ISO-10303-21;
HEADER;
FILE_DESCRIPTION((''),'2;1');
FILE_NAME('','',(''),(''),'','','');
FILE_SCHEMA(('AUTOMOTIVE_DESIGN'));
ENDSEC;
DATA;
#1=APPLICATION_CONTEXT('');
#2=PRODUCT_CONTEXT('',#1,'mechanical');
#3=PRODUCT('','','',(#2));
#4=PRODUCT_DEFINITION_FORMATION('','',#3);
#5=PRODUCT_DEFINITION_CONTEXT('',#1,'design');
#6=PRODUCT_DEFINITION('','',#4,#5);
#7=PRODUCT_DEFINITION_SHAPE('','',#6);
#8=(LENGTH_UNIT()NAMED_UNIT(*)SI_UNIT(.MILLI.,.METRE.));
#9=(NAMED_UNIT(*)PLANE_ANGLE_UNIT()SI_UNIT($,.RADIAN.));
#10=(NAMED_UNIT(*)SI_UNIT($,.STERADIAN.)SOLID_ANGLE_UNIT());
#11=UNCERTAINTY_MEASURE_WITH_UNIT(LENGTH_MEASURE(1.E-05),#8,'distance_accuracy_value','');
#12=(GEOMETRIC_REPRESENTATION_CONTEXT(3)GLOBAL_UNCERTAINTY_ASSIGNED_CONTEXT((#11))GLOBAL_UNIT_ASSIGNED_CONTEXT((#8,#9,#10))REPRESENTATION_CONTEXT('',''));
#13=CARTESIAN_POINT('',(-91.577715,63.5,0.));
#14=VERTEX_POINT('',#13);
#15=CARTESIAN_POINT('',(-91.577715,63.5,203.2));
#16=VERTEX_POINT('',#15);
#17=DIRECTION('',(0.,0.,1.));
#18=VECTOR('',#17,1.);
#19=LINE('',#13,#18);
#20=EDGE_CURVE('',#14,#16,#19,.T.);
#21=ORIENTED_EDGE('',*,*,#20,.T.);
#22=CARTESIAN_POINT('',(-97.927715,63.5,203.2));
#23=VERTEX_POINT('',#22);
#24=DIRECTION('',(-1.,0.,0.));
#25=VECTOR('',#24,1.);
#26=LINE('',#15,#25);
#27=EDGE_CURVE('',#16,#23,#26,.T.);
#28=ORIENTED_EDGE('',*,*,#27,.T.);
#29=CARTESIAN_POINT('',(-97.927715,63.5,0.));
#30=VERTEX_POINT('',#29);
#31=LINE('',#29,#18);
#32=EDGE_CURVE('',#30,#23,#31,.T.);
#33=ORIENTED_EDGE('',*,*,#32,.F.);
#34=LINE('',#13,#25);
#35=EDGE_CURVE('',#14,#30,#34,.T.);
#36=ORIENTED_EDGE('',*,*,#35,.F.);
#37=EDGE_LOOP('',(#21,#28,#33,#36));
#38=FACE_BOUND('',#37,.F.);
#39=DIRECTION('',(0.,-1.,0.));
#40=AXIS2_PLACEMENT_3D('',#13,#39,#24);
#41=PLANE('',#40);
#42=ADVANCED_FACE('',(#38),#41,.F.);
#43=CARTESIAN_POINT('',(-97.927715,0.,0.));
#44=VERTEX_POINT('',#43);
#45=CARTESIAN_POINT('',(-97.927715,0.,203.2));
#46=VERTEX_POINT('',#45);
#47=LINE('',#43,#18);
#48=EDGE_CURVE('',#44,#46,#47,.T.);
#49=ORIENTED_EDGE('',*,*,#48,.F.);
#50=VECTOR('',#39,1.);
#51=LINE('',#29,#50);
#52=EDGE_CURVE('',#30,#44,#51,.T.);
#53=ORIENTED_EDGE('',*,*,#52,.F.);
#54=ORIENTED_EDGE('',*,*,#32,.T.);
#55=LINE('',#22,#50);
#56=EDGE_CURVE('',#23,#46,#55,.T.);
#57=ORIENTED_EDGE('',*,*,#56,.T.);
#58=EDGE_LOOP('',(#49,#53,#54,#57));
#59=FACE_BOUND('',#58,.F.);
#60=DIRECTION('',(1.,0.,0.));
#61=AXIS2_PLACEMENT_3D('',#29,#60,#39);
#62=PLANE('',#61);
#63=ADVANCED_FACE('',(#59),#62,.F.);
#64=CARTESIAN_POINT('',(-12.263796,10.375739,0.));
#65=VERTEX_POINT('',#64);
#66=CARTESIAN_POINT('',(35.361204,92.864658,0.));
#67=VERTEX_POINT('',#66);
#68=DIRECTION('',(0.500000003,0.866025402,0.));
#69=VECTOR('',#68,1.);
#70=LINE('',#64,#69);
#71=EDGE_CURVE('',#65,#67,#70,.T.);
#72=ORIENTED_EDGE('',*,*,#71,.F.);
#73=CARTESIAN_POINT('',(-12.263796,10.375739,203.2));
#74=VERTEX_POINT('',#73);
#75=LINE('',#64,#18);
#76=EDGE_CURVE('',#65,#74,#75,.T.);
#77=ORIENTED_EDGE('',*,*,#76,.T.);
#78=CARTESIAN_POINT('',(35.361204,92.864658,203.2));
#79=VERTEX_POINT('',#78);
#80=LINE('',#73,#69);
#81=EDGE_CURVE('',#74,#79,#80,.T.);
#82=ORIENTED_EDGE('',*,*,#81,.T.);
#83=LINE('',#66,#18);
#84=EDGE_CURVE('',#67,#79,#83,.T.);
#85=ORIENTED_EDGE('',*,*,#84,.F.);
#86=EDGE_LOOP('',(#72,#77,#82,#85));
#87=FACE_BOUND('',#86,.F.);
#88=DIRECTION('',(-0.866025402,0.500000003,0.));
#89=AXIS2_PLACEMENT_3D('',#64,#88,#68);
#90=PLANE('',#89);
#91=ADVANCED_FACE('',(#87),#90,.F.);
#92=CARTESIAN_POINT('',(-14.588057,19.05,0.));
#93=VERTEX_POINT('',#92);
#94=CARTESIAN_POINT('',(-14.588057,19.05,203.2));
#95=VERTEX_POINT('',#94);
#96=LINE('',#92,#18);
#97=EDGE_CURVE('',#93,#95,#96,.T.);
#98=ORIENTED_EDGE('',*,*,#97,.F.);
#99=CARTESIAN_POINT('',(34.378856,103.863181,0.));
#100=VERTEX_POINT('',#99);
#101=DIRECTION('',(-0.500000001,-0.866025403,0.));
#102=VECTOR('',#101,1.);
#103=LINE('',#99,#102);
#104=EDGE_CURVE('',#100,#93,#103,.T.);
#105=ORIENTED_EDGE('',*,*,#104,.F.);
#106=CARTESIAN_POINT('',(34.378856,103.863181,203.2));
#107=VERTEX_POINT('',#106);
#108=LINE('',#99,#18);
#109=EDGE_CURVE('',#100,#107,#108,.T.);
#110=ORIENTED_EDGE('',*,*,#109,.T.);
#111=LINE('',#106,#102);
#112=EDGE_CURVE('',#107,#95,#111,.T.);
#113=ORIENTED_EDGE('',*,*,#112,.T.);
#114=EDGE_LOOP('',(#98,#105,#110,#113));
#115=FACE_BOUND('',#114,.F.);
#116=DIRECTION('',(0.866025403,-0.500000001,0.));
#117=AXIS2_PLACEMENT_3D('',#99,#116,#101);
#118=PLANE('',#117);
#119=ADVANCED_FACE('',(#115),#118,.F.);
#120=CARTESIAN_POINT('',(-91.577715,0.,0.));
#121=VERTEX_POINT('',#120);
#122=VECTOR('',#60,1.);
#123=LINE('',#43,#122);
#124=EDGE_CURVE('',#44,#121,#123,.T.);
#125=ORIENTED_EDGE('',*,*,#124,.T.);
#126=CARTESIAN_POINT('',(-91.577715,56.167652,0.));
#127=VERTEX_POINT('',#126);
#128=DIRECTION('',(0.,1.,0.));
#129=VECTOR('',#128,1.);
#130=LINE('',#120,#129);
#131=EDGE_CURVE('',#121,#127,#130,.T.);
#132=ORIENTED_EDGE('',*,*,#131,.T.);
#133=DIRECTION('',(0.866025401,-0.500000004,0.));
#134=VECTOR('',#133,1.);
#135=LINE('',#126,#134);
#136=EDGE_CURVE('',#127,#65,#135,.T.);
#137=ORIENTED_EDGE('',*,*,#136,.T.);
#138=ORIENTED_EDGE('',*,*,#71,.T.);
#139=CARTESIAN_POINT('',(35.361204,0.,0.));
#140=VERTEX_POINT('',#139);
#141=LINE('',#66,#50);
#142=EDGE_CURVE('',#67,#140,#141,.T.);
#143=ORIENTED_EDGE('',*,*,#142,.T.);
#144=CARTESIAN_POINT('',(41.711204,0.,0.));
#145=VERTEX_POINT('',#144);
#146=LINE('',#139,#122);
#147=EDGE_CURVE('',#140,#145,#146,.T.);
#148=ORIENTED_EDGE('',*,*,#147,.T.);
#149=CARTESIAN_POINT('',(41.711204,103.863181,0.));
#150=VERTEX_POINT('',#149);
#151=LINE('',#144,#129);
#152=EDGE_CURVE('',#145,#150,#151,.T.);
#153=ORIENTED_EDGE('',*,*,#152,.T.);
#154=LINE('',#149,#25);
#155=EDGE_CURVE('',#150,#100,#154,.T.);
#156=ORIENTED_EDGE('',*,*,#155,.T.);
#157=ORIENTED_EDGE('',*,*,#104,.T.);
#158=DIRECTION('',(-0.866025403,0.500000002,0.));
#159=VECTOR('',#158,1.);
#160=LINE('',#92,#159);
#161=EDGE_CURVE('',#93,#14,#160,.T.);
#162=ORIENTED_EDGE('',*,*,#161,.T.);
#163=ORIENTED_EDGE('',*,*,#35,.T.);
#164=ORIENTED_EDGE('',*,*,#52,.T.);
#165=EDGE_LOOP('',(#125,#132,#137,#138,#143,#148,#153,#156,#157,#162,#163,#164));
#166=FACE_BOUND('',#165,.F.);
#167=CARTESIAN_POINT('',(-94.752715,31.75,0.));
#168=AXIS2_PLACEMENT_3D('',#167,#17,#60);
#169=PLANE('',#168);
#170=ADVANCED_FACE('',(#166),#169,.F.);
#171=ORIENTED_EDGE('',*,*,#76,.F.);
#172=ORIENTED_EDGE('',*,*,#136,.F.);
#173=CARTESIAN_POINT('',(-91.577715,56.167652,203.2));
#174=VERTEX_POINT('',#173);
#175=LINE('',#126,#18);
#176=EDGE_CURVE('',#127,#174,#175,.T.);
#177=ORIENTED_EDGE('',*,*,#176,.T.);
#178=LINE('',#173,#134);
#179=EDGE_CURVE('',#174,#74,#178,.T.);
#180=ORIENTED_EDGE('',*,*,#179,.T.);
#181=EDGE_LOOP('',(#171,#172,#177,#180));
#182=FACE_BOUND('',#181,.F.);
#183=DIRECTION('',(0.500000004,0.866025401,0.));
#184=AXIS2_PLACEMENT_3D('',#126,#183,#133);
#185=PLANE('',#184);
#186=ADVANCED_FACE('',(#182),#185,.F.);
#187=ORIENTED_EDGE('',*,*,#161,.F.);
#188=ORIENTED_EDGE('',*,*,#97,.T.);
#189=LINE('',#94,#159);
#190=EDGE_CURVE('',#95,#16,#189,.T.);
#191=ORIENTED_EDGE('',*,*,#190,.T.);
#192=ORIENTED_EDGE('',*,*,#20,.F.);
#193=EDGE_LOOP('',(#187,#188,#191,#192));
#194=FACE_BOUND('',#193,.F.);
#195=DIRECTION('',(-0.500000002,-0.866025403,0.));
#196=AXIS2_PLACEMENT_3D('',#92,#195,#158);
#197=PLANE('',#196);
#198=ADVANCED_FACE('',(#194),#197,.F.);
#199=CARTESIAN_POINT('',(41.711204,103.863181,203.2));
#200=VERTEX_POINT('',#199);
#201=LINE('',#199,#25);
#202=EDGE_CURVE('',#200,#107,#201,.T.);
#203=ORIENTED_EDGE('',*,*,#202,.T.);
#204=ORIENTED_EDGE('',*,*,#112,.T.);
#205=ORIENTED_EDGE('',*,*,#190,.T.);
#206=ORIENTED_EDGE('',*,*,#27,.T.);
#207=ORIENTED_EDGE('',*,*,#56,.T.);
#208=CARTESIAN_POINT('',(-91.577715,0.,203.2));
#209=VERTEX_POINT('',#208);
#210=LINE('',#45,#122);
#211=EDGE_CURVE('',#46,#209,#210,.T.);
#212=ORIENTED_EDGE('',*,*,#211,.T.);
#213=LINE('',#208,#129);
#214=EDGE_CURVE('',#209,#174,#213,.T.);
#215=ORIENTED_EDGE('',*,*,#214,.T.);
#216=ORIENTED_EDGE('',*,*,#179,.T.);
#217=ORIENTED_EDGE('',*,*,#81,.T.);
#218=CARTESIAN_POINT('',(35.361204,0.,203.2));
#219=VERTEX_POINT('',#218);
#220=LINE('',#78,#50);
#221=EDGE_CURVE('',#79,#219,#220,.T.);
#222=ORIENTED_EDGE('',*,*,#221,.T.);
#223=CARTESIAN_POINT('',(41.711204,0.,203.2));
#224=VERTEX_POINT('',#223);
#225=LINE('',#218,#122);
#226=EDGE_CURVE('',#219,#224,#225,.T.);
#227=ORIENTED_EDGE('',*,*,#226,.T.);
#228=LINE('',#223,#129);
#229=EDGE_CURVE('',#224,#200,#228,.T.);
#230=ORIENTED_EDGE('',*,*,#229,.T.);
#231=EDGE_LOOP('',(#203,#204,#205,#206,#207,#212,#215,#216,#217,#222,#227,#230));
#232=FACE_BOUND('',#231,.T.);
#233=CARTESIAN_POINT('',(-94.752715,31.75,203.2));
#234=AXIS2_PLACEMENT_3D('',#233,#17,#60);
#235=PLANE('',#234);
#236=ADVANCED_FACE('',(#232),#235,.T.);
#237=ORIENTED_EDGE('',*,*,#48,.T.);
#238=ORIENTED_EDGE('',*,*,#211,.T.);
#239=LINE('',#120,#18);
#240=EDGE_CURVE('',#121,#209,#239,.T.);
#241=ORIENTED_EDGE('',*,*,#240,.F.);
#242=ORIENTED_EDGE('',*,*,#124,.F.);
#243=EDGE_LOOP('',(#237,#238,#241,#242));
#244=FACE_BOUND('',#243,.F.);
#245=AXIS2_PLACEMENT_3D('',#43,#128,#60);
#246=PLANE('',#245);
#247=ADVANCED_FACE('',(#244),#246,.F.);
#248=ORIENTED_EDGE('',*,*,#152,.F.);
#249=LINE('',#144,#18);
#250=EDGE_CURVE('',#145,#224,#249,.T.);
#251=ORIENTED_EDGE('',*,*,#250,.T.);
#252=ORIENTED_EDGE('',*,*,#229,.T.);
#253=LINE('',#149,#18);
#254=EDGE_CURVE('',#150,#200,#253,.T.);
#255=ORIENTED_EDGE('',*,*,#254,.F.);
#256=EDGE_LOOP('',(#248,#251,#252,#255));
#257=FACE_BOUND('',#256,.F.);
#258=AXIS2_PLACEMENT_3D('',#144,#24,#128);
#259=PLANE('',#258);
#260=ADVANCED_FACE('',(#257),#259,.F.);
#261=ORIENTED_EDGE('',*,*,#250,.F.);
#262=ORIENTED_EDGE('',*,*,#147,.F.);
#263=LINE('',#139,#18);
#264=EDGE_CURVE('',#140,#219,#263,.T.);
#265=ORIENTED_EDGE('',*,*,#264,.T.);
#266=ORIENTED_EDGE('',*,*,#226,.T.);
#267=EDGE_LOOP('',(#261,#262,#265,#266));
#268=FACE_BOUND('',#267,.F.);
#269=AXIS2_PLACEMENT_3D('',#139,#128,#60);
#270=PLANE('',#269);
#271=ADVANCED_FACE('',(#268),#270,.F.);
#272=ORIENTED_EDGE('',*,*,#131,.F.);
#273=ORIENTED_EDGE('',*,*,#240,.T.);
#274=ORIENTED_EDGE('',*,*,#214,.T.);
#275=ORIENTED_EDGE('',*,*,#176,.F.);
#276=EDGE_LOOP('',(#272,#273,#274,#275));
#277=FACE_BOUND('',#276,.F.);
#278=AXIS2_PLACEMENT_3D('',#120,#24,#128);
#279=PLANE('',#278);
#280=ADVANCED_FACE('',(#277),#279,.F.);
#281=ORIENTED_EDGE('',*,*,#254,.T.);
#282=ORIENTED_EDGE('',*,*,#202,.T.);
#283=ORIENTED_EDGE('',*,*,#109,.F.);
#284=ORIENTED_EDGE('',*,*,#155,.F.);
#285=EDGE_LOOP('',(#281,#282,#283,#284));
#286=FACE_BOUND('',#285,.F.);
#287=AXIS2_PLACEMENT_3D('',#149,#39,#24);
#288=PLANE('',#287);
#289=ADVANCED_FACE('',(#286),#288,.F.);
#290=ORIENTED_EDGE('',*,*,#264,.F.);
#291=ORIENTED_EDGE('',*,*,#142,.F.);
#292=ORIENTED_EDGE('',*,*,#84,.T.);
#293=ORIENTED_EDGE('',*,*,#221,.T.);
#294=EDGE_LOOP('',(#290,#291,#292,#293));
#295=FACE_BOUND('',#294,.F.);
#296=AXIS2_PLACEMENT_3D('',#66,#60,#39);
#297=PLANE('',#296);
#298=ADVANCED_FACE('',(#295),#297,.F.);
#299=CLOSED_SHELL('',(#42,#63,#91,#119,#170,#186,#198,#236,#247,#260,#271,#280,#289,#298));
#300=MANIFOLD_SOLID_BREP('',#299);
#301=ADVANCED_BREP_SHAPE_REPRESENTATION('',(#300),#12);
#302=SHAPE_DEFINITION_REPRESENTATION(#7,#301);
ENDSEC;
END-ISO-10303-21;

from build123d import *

# Parameters (mm, degrees)
F1_DEPTH = 203.2


with BuildPart() as f1:
    # F0 (on Top) → F1 (new body)
    with BuildSketch(Plane.XY):
        Polygon((-97.927715, 63.5), (-97.927715, 0), (-91.577715, 0), (-91.577715, 56.167652), (-91.577715, 63.5), align=None)
        Polygon((-91.577715, 63.5), (-91.577715, 56.167652), (-12.263796, 10.375739), (35.361204, 92.864658), (35.361204, 0), (41.711204, 0), (41.711204, 103.863181), (34.378856, 103.863181), (-14.588057, 19.05), align=None)
    extrude(amount=F1_DEPTH)


solid = f1.part
